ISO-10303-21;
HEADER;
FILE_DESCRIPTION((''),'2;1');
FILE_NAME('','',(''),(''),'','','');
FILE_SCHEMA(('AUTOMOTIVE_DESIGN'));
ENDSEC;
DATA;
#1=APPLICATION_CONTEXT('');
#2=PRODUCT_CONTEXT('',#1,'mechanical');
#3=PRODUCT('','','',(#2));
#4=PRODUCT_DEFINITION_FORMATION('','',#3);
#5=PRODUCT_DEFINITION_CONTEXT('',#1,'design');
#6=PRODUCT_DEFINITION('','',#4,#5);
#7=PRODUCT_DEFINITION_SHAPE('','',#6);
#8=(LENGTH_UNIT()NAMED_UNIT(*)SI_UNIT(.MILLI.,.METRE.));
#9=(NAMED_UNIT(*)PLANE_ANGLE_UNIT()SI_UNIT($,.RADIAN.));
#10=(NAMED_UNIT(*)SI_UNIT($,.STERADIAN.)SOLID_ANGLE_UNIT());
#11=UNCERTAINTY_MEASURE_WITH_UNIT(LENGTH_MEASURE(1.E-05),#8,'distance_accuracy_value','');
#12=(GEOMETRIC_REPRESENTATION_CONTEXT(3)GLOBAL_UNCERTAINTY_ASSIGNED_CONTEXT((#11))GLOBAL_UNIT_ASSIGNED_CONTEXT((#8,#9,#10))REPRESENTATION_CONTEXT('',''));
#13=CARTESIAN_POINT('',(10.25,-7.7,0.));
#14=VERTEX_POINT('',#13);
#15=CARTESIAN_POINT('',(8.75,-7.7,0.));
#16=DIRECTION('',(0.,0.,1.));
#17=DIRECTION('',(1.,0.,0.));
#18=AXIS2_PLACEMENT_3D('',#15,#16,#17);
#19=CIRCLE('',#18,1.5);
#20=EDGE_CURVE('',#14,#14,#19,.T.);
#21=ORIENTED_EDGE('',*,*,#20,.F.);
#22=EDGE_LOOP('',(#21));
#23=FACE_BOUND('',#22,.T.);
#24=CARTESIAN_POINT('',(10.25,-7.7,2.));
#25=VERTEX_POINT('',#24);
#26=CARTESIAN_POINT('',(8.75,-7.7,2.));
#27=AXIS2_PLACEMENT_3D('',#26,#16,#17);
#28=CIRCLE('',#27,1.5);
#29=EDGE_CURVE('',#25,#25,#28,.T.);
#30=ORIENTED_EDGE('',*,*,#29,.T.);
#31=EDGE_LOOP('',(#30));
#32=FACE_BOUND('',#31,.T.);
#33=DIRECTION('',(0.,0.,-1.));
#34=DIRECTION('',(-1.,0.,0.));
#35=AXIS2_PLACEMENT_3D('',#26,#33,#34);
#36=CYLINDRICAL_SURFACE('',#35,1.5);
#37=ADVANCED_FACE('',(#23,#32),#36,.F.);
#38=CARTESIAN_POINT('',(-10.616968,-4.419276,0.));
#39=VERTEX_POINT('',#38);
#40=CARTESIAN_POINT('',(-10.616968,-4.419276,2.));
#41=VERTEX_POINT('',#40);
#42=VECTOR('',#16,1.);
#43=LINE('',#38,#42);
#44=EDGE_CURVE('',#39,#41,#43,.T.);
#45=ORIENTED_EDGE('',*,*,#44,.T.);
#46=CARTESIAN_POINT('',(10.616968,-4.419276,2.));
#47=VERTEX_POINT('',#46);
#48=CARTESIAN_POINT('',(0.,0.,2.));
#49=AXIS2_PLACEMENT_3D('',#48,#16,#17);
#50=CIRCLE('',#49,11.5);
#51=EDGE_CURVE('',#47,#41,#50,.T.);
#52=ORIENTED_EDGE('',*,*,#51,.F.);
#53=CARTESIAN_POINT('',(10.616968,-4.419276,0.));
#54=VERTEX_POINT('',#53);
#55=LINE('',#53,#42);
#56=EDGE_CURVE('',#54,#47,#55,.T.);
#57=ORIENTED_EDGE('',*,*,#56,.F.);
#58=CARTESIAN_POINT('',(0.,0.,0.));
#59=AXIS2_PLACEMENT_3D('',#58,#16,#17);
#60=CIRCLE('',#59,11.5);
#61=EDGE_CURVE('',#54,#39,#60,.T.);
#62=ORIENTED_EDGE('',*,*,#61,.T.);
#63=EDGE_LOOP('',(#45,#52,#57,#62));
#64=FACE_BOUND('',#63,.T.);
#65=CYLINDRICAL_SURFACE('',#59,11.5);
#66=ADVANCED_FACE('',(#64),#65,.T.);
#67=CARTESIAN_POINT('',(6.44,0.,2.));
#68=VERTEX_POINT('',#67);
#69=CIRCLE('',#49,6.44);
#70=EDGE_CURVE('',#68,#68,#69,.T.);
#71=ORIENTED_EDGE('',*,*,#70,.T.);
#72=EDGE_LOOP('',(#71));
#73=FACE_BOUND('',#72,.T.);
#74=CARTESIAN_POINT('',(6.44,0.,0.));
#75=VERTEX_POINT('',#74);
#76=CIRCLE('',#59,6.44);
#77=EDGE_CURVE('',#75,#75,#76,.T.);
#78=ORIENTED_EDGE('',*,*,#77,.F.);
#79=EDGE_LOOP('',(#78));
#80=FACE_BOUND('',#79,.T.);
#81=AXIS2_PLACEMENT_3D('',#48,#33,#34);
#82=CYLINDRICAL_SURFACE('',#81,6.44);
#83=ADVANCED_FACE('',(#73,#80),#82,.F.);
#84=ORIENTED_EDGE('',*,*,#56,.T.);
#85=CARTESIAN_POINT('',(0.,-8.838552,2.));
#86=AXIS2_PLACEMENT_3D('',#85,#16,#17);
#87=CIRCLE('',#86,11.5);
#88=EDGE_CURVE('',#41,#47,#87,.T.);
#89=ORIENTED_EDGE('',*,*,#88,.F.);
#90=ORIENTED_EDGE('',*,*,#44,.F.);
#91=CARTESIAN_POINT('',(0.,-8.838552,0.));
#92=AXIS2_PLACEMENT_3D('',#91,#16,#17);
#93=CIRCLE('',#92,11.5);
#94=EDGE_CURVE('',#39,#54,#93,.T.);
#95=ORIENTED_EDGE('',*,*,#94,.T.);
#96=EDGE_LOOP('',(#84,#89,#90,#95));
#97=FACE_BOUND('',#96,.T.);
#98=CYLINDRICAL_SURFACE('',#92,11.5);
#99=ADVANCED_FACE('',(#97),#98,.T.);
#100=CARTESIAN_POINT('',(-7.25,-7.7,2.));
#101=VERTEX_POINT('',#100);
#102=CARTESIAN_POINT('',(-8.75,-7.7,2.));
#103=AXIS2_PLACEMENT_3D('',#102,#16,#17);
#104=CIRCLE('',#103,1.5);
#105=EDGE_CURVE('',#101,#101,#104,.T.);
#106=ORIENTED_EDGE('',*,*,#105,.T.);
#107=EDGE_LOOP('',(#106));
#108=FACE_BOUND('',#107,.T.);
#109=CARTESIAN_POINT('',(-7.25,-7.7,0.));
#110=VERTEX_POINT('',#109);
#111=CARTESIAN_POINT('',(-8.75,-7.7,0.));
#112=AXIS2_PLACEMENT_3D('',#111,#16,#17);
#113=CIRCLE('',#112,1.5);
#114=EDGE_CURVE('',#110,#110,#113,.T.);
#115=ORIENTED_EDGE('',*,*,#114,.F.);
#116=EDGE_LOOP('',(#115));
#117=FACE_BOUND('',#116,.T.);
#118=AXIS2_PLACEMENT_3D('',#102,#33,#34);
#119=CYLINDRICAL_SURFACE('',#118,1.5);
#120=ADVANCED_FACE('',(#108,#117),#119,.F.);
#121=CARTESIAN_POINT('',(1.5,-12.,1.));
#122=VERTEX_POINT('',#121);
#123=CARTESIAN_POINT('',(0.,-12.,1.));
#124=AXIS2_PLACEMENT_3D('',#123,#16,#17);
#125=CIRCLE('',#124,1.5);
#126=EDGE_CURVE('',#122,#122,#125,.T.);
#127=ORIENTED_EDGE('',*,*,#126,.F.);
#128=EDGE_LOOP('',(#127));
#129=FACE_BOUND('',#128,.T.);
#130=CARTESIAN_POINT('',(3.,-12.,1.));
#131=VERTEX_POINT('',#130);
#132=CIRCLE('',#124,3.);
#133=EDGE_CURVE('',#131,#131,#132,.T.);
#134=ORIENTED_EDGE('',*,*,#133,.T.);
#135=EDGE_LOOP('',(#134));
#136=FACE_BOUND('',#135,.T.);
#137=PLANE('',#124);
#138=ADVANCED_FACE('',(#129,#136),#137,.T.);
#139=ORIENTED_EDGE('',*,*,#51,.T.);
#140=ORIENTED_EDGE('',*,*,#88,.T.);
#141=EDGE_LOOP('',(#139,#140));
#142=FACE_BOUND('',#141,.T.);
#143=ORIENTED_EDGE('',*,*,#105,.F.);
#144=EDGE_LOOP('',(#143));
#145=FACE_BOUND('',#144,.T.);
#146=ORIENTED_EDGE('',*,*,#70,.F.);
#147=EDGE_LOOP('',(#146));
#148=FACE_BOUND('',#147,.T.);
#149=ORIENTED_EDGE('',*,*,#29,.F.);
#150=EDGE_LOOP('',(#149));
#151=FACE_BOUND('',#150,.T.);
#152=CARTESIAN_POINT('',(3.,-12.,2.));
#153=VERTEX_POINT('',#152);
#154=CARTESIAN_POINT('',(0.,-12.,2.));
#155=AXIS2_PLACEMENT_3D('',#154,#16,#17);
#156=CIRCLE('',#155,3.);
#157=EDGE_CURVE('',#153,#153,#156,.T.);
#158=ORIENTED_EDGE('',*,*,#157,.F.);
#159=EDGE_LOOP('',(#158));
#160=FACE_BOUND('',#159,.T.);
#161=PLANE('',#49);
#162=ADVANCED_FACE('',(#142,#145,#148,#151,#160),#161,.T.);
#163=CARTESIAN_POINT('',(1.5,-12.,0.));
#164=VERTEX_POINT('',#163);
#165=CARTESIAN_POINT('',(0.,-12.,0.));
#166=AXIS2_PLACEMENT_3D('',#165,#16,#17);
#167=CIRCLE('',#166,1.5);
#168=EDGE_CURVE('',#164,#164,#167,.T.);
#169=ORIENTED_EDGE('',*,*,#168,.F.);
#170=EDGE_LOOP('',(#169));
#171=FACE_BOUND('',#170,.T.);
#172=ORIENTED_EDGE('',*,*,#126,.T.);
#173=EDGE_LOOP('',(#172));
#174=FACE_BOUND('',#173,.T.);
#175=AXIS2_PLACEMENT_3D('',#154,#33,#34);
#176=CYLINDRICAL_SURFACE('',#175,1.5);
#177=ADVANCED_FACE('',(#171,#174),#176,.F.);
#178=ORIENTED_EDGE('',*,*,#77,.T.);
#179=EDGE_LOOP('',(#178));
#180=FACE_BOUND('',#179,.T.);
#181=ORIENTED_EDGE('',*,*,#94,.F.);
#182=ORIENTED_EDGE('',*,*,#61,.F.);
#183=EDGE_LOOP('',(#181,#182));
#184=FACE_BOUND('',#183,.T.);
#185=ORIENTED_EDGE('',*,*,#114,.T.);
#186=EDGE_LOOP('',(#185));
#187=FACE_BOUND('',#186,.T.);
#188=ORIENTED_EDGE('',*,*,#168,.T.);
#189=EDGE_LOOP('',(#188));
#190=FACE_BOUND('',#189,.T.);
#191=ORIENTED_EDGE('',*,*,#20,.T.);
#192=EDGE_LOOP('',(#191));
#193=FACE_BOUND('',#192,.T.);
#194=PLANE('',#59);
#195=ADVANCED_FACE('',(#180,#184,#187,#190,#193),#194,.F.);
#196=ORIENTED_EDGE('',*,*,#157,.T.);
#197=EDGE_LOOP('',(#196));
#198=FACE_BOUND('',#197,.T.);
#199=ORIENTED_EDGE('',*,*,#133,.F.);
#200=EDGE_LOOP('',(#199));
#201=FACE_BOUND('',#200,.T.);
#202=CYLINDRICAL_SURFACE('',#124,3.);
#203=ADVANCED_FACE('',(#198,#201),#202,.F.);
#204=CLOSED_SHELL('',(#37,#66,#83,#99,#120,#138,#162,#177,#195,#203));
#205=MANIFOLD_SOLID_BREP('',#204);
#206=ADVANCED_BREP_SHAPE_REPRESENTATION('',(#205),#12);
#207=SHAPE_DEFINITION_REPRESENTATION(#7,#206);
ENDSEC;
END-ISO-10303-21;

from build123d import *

# Parameters (mm, degrees)
SKETCH_1_W          = 24
SKETCH_1_H          = 33.932299882
SKETCH_1_R          = 1.5
SKETCH_1_R_2        = 6.44
SKETCH_1_R_3        = 3
EXTRUDE_1_DEPTH     = 2
CUT_EXTRUDE_START   = 2
SKETCH_1_3_R        = 3
SKETCH_1_3_R_2      = 1.5
CUT_EXTRUDE_1_DEPTH = 1
SKETCH_2_W          = 24
SKETCH_2_H          = 33.932299882
CUT_EXTRUDE_3_DEPTH = 3


with BuildPart() as part:
    # 草图1 → 凸台-拉伸1 (new body)
    with BuildSketch(Plane.XY):
        with Locations((0, -4.966149941)):
            Rectangle(SKETCH_1_W, SKETCH_1_H)
        with Locations((-8.75, -7.7)):
            Circle(SKETCH_1_R, mode=Mode.SUBTRACT)
        Circle(SKETCH_1_R_2, mode=Mode.SUBTRACT)
        with Locations((0, -12)):
            Circle(SKETCH_1_R_3, mode=Mode.SUBTRACT)
        with Locations((8.75, -7.7)):
            Circle(SKETCH_1_R, mode=Mode.SUBTRACT)
        with Locations((0, -12)):
            Circle(SKETCH_1_R_3)
        with Locations((0, -12)):
            Circle(SKETCH_1_R, mode=Mode.SUBTRACT)
    extrude(amount=EXTRUDE_1_DEPTH)

    # 草图1<3> → 切除-拉伸1 (cut)
    with BuildSketch(Plane.XY.offset(CUT_EXTRUDE_START)):
        with Locations((0, -12)):
            Circle(SKETCH_1_3_R)
        with Locations((0, -12)):
            Circle(SKETCH_1_3_R_2, mode=Mode.SUBTRACT)
    extrude(amount=-CUT_EXTRUDE_1_DEPTH, mode=Mode.SUBTRACT)

    # 草图2 → 切除-拉伸3 (cut, through all)
    with BuildSketch(Plane.XY.offset(2)):
        with Locations((0, -4.966149941)):
            Rectangle(SKETCH_2_W, SKETCH_2_H)
        with BuildLine():
            ThreePointArc((-10.616967552, -4.419275959), (0, -20.338551918), (10.616967552, -4.419275959))
            ThreePointArc((10.616967552, -4.419275959), (0, 11.5), (-10.616967552, -4.419275959))
        make_face(mode=Mode.SUBTRACT)
    extrude(amount=-CUT_EXTRUDE_3_DEPTH, mode=Mode.SUBTRACT)


solid = part.part
